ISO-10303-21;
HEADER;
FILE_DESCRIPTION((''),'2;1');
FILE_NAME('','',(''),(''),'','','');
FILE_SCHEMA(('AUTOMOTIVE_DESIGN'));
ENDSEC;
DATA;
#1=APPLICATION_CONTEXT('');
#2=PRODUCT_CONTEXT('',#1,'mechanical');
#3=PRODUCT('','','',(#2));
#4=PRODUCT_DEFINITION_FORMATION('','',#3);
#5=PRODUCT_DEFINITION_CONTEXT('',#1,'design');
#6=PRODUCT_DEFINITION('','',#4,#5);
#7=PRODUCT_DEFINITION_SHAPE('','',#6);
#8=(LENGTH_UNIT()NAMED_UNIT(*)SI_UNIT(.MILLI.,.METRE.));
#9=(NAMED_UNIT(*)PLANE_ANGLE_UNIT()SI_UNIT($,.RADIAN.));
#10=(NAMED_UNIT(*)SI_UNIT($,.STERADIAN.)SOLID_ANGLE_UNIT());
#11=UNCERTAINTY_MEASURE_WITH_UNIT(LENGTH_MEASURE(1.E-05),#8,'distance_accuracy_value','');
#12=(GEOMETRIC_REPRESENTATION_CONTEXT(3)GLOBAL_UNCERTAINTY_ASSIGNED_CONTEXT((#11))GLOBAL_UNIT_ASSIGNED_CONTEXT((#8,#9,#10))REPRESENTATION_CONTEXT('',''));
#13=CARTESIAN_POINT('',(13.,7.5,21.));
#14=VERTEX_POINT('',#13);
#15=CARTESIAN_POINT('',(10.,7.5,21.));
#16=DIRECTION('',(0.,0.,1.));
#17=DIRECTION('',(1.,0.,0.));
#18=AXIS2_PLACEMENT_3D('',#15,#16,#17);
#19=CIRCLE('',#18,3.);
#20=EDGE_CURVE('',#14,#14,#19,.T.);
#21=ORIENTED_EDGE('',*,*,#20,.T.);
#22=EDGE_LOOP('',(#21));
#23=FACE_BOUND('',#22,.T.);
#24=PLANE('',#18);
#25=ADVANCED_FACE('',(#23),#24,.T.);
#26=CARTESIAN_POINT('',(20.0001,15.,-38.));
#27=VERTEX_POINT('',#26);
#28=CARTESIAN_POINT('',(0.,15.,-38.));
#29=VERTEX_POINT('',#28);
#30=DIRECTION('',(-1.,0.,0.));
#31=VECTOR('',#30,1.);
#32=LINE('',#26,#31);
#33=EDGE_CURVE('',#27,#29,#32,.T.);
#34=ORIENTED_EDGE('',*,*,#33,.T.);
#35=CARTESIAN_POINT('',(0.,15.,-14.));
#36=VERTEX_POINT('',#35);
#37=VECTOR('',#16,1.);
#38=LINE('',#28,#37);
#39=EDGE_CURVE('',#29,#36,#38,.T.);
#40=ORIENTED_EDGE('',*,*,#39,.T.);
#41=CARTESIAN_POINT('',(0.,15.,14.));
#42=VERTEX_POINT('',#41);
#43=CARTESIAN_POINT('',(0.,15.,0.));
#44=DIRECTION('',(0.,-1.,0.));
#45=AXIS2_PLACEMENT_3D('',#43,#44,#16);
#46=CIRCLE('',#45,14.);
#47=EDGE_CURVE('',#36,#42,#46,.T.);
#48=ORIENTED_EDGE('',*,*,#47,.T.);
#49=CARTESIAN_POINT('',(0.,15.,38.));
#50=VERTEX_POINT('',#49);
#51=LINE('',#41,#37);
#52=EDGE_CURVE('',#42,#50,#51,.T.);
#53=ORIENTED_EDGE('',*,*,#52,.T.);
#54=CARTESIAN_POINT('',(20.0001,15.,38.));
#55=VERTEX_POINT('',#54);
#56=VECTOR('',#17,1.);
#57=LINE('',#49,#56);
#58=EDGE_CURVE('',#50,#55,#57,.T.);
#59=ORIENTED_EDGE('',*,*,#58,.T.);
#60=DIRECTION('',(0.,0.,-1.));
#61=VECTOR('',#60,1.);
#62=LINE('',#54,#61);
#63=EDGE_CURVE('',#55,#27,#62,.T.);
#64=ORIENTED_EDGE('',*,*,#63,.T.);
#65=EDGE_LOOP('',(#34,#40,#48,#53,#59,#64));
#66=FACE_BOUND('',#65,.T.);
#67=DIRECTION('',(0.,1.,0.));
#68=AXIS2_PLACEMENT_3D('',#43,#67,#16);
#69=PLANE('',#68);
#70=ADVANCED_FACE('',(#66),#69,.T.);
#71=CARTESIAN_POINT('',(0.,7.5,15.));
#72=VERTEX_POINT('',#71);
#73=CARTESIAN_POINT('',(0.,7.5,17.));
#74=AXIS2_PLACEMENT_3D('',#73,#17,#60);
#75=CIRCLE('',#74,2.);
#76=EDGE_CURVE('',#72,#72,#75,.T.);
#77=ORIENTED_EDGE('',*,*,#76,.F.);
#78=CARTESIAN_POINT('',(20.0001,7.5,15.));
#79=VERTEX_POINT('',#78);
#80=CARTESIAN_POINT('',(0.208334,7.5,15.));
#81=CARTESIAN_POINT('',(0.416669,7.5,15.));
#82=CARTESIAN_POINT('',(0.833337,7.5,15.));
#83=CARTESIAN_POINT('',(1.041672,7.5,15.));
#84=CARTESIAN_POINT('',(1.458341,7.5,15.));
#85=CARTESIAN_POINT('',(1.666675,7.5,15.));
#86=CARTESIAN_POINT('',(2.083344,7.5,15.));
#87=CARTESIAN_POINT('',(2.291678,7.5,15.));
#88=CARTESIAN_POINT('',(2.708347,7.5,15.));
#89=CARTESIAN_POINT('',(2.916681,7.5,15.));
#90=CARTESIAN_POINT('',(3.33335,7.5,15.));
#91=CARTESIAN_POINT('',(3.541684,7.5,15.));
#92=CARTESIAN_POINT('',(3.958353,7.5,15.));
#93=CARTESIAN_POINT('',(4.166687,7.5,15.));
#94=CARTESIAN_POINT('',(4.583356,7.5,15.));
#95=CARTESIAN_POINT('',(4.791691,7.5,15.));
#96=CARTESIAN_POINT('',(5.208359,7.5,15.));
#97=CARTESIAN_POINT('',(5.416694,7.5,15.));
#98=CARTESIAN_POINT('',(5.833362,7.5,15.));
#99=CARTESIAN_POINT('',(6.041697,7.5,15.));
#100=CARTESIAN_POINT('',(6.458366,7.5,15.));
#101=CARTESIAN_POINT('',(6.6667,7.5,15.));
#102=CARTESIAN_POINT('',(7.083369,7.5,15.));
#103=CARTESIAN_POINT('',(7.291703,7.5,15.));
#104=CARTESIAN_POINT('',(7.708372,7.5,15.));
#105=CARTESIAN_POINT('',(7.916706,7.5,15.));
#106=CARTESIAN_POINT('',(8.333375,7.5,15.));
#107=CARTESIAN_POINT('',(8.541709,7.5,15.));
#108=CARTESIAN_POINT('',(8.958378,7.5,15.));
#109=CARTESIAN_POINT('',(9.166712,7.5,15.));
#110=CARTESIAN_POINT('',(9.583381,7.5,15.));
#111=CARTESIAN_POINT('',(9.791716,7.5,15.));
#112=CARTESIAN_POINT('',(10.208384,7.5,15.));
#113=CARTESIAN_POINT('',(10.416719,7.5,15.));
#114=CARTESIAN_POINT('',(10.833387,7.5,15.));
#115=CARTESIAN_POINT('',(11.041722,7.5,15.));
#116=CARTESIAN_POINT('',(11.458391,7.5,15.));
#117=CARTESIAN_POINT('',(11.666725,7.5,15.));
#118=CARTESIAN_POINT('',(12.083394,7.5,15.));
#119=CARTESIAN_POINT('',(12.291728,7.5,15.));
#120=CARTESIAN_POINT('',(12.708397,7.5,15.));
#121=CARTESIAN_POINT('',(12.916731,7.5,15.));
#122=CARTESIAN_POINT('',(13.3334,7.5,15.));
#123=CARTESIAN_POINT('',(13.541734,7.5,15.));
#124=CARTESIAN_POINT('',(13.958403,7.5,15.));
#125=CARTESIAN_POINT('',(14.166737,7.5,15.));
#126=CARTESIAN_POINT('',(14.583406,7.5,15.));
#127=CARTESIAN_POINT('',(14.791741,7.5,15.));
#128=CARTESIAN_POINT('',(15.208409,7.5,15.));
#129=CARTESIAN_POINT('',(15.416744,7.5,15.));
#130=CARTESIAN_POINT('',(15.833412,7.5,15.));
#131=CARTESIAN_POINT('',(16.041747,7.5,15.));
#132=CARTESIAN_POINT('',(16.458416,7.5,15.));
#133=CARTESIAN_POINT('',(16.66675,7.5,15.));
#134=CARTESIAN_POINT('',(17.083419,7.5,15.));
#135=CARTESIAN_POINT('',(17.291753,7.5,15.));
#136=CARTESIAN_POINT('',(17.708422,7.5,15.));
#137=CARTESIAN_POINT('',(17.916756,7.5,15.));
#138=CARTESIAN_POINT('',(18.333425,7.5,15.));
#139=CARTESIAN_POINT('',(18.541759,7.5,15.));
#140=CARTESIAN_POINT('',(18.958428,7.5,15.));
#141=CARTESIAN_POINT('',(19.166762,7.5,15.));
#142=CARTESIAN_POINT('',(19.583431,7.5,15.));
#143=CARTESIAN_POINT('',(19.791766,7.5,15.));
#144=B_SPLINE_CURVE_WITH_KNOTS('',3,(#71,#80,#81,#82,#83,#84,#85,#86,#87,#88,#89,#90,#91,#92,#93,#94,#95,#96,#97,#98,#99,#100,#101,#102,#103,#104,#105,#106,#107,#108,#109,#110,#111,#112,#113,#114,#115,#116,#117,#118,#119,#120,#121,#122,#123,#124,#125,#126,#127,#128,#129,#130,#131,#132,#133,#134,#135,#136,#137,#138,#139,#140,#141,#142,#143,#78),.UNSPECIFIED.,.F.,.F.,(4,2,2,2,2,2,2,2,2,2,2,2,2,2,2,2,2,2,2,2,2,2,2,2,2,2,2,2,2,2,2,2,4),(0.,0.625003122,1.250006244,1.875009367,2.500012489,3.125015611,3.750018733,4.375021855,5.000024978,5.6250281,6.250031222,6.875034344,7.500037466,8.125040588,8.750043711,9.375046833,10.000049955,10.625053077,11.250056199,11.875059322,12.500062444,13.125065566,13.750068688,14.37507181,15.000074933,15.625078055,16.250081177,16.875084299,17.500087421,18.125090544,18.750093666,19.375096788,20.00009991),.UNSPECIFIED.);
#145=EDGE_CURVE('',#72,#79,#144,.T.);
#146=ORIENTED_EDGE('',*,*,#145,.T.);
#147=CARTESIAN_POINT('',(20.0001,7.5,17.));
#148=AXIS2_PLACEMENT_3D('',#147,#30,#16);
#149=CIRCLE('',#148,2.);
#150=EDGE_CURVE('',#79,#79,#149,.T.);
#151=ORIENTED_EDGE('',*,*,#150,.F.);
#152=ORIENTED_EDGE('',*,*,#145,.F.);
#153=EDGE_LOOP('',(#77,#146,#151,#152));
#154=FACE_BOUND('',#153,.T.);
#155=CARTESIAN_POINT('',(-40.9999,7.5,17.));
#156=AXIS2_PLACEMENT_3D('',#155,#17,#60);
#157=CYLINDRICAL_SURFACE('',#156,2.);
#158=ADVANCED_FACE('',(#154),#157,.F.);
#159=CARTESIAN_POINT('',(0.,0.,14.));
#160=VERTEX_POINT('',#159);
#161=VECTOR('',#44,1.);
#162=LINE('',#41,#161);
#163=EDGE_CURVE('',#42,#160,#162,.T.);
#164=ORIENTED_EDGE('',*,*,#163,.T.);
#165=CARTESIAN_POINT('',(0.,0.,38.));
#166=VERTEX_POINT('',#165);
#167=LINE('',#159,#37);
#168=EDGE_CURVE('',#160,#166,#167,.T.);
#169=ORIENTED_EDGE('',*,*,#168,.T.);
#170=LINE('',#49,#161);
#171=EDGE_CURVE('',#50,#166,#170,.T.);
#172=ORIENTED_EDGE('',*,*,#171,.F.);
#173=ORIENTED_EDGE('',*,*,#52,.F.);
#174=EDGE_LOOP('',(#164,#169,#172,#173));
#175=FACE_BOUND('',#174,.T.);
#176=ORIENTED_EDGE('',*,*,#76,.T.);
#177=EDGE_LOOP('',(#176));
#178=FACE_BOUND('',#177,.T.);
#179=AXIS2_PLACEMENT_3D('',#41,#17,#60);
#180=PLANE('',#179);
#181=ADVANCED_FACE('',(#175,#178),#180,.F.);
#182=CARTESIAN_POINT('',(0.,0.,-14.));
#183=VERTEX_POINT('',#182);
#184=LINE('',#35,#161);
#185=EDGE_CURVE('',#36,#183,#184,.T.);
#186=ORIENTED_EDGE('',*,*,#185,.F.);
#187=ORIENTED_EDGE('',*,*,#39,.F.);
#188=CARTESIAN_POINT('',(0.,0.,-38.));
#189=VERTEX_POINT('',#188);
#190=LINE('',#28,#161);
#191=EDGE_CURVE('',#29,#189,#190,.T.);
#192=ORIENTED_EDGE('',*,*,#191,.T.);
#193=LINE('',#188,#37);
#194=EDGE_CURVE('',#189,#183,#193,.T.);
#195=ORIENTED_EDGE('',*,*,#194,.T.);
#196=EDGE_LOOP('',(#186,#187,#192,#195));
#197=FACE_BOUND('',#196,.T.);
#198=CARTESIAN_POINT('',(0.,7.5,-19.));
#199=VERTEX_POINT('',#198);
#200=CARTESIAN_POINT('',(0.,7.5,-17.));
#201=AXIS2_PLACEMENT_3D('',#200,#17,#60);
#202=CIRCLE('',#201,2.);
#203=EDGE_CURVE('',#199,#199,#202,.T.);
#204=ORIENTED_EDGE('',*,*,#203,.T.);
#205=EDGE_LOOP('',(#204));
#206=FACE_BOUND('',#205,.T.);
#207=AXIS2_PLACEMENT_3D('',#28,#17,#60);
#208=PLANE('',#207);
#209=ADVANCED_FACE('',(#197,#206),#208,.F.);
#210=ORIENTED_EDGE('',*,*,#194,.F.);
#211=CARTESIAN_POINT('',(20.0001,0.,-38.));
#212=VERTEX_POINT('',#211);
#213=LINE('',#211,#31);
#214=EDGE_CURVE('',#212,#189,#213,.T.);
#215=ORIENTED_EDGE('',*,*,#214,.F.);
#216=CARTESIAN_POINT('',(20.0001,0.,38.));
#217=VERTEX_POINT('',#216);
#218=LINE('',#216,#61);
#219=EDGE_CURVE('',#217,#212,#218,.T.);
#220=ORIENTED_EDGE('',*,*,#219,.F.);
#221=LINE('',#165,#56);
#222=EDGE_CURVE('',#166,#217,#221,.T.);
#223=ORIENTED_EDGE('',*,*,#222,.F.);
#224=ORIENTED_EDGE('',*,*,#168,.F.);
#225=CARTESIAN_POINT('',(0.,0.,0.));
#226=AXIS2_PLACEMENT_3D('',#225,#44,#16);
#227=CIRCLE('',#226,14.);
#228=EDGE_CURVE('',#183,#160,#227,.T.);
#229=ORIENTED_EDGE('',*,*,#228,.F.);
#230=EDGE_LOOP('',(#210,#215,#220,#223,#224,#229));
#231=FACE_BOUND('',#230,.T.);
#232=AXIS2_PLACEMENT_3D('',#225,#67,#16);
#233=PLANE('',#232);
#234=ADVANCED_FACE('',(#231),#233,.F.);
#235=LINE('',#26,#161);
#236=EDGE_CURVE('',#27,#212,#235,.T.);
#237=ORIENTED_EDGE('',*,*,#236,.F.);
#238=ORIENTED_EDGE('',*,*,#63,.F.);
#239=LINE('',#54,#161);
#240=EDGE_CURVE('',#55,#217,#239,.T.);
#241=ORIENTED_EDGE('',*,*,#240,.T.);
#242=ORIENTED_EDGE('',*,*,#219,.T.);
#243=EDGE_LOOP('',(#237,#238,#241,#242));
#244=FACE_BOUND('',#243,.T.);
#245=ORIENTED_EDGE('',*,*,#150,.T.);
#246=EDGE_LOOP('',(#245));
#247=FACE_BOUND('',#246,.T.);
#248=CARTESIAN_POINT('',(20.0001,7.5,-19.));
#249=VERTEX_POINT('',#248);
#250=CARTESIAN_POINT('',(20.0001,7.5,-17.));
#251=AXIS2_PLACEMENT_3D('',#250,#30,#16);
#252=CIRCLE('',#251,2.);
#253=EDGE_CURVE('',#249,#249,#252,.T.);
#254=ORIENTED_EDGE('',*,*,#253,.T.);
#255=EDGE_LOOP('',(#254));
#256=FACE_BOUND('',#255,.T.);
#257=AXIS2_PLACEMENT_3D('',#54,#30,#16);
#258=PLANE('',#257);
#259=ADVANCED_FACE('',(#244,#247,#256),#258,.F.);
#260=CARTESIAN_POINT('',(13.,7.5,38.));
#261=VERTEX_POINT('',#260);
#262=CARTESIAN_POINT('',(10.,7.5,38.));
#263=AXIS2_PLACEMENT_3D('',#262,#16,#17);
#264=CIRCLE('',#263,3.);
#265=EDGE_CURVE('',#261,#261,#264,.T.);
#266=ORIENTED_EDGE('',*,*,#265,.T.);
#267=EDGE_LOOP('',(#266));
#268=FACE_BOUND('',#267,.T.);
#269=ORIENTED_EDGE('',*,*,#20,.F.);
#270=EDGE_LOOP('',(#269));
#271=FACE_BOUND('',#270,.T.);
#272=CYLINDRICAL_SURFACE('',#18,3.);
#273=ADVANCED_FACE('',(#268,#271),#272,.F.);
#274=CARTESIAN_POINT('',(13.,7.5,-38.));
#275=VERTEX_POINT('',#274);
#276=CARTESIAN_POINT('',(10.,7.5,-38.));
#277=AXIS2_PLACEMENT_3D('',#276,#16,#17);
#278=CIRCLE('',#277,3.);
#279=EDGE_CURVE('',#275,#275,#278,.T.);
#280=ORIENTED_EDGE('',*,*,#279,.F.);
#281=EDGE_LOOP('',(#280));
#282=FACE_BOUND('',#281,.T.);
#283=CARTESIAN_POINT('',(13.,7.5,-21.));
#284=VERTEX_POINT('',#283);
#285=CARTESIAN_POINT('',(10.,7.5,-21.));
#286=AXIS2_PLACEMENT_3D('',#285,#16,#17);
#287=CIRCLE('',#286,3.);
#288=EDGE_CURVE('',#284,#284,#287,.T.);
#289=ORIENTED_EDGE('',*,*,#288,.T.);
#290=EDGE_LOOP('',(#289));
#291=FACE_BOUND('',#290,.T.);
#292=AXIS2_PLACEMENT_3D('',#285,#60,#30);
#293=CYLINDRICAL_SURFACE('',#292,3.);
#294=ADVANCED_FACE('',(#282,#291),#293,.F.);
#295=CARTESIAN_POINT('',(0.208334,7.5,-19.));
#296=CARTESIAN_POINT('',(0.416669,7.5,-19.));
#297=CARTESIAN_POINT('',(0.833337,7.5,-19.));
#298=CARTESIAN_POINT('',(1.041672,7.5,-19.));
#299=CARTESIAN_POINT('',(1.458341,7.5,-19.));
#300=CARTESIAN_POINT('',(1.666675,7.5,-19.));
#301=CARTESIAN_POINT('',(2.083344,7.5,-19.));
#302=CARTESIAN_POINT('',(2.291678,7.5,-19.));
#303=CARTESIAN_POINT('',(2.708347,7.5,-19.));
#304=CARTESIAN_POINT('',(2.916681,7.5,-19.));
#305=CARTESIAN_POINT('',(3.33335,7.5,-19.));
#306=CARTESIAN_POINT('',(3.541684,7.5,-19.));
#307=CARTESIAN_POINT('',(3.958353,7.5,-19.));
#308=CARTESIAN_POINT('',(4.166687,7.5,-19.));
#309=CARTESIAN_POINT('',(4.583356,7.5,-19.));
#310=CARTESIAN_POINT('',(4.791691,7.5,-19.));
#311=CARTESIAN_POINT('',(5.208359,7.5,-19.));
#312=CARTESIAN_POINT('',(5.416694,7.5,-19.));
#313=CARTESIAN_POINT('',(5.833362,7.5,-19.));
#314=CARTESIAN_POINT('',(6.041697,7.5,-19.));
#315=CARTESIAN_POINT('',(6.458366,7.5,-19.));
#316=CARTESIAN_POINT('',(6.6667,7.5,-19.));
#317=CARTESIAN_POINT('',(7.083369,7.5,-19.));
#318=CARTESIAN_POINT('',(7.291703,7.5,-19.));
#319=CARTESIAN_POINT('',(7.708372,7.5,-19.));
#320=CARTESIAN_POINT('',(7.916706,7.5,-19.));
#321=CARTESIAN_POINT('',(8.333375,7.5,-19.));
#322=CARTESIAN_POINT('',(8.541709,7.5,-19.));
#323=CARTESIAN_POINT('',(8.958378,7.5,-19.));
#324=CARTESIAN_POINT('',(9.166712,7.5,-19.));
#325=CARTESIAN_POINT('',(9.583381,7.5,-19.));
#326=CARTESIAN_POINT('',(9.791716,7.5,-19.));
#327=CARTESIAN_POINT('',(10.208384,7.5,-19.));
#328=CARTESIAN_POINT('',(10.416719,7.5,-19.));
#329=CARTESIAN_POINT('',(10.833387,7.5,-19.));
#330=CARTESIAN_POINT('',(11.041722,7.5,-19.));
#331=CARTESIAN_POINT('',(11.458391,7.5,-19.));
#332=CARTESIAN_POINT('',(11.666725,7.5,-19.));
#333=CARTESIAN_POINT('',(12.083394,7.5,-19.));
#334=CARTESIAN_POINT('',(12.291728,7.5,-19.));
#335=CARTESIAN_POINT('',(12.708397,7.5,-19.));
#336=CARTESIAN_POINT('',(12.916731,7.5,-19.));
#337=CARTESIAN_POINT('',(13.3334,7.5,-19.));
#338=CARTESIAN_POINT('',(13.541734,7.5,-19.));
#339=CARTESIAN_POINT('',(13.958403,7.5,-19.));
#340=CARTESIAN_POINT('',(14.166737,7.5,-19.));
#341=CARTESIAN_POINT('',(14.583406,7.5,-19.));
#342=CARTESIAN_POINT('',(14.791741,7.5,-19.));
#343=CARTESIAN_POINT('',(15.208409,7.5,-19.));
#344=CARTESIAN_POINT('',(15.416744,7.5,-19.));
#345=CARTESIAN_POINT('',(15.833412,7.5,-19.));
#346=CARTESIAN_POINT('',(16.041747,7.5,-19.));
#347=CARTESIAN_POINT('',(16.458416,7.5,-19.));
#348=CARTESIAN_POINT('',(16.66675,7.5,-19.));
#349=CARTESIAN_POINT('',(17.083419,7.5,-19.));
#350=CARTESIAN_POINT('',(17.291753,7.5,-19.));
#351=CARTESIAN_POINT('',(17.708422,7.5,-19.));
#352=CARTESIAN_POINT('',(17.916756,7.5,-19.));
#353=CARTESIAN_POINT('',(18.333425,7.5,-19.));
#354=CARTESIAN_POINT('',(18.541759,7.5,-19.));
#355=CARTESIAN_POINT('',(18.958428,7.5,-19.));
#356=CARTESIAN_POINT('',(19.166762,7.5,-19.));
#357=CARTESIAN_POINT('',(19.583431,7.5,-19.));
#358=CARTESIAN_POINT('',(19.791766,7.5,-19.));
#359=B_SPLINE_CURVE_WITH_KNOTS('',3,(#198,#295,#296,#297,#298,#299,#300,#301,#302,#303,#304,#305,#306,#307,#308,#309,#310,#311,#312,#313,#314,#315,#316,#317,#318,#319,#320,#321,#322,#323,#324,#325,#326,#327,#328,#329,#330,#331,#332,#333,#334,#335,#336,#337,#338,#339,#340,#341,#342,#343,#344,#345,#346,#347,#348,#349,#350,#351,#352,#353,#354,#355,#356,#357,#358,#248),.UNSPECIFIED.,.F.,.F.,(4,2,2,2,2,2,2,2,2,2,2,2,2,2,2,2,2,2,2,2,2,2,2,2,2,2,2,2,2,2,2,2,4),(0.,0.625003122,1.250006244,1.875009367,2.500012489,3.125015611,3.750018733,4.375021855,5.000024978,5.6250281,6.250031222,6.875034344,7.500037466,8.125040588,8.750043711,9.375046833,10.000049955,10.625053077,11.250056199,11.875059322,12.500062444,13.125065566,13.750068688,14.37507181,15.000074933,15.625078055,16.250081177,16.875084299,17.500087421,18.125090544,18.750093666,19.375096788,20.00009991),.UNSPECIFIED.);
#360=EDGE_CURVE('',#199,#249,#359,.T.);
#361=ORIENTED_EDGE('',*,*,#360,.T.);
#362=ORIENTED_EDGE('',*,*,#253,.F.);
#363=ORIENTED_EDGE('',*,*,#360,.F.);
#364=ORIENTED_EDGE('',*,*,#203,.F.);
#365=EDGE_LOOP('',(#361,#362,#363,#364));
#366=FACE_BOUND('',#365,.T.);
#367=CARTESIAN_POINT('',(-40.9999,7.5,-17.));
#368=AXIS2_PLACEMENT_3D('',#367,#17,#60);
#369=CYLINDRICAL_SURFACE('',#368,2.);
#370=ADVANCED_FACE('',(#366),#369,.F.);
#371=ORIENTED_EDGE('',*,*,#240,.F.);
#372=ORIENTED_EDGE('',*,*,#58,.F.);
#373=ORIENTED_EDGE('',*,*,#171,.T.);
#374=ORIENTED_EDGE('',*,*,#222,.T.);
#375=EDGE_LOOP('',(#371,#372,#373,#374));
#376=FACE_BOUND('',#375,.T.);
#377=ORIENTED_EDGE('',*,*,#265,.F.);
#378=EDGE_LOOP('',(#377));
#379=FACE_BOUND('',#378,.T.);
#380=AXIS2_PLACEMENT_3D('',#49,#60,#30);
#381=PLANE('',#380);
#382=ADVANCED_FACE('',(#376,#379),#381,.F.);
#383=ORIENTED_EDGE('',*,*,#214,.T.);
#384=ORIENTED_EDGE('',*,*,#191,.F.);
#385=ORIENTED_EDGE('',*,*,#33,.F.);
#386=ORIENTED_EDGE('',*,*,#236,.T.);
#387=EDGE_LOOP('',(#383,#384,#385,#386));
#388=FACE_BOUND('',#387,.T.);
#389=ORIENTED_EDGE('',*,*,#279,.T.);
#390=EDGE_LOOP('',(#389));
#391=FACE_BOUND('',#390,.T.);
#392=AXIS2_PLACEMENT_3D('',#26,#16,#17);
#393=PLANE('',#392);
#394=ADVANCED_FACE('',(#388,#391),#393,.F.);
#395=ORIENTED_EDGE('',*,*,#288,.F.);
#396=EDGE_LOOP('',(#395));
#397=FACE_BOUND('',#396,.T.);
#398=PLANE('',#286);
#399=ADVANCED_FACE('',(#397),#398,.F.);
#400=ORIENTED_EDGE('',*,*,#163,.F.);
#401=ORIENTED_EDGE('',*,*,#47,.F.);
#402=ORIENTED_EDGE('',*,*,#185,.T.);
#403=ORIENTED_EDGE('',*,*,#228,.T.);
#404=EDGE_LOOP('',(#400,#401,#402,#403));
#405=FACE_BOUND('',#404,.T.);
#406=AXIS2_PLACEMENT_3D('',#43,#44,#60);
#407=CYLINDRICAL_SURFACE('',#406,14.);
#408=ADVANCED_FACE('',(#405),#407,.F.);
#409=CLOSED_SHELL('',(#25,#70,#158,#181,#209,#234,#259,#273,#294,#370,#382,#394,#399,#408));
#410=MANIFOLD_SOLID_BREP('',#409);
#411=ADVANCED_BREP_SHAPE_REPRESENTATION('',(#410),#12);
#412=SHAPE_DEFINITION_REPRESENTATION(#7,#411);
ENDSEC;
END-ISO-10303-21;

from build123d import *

# Parameters (mm, degrees)
EXTRUDE_1_DEPTH     = 15
SKETCH_3_R          = 2
CUT_EXTRUDE_3_DEPTH = 61
SKETCH_5_R          = 3
CUT_EXTRUDE_4_DEPTH = 17
CUT_EXTRUDE_START   = 17
SKETCH_6_R          = 3
CUT_EXTRUDE_5_DEPTH = 17


with BuildPart() as part:
    # Эскиз1 → Вытянуть1 (new body)
    with BuildSketch(Plane(origin=(0, 0, 0), x_dir=(1, 0, 0), z_dir=(0, 1, 0))):
        with BuildLine():
            Line((0, -14), (0, -38))
            Line((0, -38), (20.00009991, -38))
            Line((20.00009991, -38), (20.00009991, 38))
            Line((20.00009991, 38), (0, 38))
            Line((0, 38), (0, 14))
            ThreePointArc((0, 14), (14, 0), (0, -14))
        make_face()
    extrude(amount=EXTRUDE_1_DEPTH)

    # Эскиз3 → Вырез-Вытянуть3 (cut, symmetric)
    with BuildSketch(Plane(origin=(20.00009991, 0, 0), x_dir=(0, 0, -1), z_dir=(1, 0, 0))):
        with Locations((-17, 7.5)):
            Circle(SKETCH_3_R)
        with Locations((17, 7.5)):
            Circle(SKETCH_3_R)
    extrude(amount=CUT_EXTRUDE_3_DEPTH, both=True, mode=Mode.SUBTRACT)

    # Эскиз5 → Вырез-Вытянуть4 (cut)
    with BuildSketch(Plane.XY.offset(38)):
        with Locations((10, 7.5)):
            Circle(SKETCH_5_R)
    extrude(amount=-CUT_EXTRUDE_4_DEPTH, mode=Mode.SUBTRACT)

    # Эскиз6 → Вырез-Вытянуть5 (cut)
    with BuildSketch(Plane.XY.offset(-38).offset(CUT_EXTRUDE_START)):
        with Locations((10, 7.5)):
            Circle(SKETCH_6_R)
    extrude(amount=-CUT_EXTRUDE_5_DEPTH, mode=Mode.SUBTRACT)


solid = part.part
